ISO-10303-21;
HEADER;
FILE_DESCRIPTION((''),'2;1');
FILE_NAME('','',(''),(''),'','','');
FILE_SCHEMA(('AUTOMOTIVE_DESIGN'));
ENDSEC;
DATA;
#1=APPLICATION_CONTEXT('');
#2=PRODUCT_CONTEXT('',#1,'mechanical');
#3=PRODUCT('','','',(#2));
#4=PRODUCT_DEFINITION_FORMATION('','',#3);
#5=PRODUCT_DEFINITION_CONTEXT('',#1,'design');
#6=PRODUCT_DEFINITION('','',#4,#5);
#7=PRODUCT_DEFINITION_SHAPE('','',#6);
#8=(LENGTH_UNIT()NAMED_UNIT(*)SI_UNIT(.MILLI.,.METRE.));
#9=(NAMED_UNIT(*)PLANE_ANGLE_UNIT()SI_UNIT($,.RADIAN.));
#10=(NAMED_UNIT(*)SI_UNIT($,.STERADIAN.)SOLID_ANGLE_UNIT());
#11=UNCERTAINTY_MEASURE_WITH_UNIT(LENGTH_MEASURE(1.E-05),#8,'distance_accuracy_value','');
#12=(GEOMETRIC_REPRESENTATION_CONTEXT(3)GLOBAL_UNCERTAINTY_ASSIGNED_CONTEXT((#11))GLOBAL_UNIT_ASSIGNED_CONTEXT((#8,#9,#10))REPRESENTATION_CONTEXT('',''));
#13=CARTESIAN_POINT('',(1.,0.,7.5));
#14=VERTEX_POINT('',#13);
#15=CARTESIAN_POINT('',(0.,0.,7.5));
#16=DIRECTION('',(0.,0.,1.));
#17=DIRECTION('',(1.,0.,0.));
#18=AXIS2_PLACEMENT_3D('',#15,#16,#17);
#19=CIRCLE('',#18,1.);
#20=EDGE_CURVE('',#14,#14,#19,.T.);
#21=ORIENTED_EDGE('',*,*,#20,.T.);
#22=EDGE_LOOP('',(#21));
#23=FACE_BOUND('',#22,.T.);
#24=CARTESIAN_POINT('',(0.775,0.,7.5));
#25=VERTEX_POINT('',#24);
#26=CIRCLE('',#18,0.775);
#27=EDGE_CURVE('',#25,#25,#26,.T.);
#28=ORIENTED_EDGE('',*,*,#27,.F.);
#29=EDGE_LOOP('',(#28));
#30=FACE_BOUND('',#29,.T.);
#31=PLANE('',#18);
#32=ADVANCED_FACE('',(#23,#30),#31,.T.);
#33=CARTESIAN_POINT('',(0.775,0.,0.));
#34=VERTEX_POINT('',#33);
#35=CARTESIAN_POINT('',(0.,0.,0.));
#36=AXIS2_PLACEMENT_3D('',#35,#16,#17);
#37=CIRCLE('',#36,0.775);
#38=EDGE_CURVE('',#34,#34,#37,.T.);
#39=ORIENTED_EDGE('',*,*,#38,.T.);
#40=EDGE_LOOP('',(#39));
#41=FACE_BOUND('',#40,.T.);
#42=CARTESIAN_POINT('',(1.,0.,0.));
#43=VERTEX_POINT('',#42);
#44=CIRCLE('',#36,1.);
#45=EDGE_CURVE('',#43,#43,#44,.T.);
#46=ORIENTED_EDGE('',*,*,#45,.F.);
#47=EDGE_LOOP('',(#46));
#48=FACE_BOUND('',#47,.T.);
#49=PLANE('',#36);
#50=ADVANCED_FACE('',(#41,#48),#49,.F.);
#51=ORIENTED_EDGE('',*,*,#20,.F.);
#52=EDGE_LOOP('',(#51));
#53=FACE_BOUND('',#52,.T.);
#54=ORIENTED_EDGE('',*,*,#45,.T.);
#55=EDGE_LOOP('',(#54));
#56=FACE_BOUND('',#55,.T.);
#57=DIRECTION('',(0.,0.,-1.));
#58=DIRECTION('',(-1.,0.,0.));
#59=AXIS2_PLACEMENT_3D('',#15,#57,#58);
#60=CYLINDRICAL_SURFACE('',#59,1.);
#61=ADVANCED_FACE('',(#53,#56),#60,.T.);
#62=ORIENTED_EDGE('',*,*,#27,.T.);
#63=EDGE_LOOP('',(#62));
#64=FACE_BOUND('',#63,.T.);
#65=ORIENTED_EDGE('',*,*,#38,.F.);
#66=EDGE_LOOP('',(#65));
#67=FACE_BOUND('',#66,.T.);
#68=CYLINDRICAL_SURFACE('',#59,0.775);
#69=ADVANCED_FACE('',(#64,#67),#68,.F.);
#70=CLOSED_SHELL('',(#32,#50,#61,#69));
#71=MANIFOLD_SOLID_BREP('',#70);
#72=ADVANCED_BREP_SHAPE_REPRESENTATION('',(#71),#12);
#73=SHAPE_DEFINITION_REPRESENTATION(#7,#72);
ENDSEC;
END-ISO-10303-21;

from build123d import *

# Parameters (mm, degrees)
SKETCH_1_R      = 1
SKETCH_1_R_2    = 0.775
EXTRUDE_1_DEPTH = 7.5


with BuildPart() as part:
    # Эскиз1 → Бобышка-Вытянуть1 (new body)
    with BuildSketch(Plane.XY):
        Circle(SKETCH_1_R)
        Circle(SKETCH_1_R_2, mode=Mode.SUBTRACT)
    extrude(amount=EXTRUDE_1_DEPTH)


solid = part.part
